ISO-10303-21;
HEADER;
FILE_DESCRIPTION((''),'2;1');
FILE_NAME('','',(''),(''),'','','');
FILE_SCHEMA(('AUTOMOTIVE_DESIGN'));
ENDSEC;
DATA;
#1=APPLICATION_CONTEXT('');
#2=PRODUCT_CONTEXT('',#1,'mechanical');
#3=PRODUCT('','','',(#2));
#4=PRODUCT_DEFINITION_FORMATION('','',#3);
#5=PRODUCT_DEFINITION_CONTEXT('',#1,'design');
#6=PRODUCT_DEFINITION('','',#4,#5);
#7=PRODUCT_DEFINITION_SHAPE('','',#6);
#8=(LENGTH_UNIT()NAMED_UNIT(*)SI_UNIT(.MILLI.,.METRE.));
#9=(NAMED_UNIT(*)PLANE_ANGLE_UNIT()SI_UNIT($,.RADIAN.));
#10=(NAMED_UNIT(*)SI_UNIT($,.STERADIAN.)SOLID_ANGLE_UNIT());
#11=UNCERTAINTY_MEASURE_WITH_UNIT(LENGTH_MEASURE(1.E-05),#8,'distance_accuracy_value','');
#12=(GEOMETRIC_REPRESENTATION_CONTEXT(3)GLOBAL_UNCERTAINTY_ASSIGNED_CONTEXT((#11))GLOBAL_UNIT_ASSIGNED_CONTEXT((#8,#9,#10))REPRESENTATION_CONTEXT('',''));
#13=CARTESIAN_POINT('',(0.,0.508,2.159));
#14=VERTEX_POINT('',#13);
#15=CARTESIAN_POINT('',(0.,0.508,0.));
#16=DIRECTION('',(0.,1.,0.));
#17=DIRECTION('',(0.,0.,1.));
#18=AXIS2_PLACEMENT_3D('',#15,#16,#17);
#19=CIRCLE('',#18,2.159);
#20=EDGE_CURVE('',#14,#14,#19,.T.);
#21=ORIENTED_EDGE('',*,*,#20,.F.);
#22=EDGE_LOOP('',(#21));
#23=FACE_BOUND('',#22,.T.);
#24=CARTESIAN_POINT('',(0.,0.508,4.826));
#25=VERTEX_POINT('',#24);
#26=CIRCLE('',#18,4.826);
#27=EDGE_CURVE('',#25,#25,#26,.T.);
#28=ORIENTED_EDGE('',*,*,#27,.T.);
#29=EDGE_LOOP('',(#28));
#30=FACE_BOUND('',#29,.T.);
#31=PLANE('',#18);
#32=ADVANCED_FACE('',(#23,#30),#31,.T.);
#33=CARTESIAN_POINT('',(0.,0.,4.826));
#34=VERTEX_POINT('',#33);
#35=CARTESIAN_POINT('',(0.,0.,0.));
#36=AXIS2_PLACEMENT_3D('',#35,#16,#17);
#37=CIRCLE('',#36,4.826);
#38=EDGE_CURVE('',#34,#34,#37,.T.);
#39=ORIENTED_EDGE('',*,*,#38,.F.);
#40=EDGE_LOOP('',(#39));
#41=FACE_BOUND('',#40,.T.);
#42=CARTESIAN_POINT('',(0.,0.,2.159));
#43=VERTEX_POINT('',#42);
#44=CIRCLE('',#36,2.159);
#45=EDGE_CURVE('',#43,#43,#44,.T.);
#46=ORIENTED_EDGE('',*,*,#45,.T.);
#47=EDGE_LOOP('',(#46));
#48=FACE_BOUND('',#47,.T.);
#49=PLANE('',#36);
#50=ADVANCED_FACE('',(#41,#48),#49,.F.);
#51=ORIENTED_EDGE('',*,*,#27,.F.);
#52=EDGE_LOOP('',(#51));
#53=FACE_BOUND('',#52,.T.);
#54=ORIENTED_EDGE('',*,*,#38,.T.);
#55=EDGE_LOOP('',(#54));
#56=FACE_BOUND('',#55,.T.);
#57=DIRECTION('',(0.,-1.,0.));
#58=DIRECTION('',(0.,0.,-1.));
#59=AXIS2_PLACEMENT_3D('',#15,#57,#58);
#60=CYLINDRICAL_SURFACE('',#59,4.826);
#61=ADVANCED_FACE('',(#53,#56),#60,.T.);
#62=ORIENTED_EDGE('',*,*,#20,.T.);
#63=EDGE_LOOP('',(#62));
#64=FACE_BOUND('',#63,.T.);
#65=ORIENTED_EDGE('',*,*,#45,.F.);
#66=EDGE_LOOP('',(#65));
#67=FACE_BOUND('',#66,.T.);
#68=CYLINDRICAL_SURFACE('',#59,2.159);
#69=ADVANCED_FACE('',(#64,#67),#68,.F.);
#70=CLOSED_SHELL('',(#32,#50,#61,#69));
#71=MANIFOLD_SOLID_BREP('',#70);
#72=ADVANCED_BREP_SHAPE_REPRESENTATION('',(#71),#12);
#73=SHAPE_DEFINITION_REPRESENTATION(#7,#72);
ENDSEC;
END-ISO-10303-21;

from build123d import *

# Parameters (mm, degrees)
SKETCH1_R           = 4.826
SKETCH1_R_2         = 2.159
BOSS_EXTRUDE1_DEPTH = 0.508


with BuildPart() as part:
    # Sketch1 → Boss-Extrude1 (new body)
    with BuildSketch(Plane(origin=(0, 0, 0), x_dir=(1, 0, 0), z_dir=(0, 1, 0))):
        with Locations(Location((0, 0, 0), (0, 0, 270))):  # turned: the seam where the file's is
            Circle(SKETCH1_R)
        with Locations(Location((0, 0, 0), (0, 0, 270))):  # turned: the seam where the file's is
            Circle(SKETCH1_R_2, mode=Mode.SUBTRACT)
    extrude(amount=BOSS_EXTRUDE1_DEPTH)


solid = part.part
